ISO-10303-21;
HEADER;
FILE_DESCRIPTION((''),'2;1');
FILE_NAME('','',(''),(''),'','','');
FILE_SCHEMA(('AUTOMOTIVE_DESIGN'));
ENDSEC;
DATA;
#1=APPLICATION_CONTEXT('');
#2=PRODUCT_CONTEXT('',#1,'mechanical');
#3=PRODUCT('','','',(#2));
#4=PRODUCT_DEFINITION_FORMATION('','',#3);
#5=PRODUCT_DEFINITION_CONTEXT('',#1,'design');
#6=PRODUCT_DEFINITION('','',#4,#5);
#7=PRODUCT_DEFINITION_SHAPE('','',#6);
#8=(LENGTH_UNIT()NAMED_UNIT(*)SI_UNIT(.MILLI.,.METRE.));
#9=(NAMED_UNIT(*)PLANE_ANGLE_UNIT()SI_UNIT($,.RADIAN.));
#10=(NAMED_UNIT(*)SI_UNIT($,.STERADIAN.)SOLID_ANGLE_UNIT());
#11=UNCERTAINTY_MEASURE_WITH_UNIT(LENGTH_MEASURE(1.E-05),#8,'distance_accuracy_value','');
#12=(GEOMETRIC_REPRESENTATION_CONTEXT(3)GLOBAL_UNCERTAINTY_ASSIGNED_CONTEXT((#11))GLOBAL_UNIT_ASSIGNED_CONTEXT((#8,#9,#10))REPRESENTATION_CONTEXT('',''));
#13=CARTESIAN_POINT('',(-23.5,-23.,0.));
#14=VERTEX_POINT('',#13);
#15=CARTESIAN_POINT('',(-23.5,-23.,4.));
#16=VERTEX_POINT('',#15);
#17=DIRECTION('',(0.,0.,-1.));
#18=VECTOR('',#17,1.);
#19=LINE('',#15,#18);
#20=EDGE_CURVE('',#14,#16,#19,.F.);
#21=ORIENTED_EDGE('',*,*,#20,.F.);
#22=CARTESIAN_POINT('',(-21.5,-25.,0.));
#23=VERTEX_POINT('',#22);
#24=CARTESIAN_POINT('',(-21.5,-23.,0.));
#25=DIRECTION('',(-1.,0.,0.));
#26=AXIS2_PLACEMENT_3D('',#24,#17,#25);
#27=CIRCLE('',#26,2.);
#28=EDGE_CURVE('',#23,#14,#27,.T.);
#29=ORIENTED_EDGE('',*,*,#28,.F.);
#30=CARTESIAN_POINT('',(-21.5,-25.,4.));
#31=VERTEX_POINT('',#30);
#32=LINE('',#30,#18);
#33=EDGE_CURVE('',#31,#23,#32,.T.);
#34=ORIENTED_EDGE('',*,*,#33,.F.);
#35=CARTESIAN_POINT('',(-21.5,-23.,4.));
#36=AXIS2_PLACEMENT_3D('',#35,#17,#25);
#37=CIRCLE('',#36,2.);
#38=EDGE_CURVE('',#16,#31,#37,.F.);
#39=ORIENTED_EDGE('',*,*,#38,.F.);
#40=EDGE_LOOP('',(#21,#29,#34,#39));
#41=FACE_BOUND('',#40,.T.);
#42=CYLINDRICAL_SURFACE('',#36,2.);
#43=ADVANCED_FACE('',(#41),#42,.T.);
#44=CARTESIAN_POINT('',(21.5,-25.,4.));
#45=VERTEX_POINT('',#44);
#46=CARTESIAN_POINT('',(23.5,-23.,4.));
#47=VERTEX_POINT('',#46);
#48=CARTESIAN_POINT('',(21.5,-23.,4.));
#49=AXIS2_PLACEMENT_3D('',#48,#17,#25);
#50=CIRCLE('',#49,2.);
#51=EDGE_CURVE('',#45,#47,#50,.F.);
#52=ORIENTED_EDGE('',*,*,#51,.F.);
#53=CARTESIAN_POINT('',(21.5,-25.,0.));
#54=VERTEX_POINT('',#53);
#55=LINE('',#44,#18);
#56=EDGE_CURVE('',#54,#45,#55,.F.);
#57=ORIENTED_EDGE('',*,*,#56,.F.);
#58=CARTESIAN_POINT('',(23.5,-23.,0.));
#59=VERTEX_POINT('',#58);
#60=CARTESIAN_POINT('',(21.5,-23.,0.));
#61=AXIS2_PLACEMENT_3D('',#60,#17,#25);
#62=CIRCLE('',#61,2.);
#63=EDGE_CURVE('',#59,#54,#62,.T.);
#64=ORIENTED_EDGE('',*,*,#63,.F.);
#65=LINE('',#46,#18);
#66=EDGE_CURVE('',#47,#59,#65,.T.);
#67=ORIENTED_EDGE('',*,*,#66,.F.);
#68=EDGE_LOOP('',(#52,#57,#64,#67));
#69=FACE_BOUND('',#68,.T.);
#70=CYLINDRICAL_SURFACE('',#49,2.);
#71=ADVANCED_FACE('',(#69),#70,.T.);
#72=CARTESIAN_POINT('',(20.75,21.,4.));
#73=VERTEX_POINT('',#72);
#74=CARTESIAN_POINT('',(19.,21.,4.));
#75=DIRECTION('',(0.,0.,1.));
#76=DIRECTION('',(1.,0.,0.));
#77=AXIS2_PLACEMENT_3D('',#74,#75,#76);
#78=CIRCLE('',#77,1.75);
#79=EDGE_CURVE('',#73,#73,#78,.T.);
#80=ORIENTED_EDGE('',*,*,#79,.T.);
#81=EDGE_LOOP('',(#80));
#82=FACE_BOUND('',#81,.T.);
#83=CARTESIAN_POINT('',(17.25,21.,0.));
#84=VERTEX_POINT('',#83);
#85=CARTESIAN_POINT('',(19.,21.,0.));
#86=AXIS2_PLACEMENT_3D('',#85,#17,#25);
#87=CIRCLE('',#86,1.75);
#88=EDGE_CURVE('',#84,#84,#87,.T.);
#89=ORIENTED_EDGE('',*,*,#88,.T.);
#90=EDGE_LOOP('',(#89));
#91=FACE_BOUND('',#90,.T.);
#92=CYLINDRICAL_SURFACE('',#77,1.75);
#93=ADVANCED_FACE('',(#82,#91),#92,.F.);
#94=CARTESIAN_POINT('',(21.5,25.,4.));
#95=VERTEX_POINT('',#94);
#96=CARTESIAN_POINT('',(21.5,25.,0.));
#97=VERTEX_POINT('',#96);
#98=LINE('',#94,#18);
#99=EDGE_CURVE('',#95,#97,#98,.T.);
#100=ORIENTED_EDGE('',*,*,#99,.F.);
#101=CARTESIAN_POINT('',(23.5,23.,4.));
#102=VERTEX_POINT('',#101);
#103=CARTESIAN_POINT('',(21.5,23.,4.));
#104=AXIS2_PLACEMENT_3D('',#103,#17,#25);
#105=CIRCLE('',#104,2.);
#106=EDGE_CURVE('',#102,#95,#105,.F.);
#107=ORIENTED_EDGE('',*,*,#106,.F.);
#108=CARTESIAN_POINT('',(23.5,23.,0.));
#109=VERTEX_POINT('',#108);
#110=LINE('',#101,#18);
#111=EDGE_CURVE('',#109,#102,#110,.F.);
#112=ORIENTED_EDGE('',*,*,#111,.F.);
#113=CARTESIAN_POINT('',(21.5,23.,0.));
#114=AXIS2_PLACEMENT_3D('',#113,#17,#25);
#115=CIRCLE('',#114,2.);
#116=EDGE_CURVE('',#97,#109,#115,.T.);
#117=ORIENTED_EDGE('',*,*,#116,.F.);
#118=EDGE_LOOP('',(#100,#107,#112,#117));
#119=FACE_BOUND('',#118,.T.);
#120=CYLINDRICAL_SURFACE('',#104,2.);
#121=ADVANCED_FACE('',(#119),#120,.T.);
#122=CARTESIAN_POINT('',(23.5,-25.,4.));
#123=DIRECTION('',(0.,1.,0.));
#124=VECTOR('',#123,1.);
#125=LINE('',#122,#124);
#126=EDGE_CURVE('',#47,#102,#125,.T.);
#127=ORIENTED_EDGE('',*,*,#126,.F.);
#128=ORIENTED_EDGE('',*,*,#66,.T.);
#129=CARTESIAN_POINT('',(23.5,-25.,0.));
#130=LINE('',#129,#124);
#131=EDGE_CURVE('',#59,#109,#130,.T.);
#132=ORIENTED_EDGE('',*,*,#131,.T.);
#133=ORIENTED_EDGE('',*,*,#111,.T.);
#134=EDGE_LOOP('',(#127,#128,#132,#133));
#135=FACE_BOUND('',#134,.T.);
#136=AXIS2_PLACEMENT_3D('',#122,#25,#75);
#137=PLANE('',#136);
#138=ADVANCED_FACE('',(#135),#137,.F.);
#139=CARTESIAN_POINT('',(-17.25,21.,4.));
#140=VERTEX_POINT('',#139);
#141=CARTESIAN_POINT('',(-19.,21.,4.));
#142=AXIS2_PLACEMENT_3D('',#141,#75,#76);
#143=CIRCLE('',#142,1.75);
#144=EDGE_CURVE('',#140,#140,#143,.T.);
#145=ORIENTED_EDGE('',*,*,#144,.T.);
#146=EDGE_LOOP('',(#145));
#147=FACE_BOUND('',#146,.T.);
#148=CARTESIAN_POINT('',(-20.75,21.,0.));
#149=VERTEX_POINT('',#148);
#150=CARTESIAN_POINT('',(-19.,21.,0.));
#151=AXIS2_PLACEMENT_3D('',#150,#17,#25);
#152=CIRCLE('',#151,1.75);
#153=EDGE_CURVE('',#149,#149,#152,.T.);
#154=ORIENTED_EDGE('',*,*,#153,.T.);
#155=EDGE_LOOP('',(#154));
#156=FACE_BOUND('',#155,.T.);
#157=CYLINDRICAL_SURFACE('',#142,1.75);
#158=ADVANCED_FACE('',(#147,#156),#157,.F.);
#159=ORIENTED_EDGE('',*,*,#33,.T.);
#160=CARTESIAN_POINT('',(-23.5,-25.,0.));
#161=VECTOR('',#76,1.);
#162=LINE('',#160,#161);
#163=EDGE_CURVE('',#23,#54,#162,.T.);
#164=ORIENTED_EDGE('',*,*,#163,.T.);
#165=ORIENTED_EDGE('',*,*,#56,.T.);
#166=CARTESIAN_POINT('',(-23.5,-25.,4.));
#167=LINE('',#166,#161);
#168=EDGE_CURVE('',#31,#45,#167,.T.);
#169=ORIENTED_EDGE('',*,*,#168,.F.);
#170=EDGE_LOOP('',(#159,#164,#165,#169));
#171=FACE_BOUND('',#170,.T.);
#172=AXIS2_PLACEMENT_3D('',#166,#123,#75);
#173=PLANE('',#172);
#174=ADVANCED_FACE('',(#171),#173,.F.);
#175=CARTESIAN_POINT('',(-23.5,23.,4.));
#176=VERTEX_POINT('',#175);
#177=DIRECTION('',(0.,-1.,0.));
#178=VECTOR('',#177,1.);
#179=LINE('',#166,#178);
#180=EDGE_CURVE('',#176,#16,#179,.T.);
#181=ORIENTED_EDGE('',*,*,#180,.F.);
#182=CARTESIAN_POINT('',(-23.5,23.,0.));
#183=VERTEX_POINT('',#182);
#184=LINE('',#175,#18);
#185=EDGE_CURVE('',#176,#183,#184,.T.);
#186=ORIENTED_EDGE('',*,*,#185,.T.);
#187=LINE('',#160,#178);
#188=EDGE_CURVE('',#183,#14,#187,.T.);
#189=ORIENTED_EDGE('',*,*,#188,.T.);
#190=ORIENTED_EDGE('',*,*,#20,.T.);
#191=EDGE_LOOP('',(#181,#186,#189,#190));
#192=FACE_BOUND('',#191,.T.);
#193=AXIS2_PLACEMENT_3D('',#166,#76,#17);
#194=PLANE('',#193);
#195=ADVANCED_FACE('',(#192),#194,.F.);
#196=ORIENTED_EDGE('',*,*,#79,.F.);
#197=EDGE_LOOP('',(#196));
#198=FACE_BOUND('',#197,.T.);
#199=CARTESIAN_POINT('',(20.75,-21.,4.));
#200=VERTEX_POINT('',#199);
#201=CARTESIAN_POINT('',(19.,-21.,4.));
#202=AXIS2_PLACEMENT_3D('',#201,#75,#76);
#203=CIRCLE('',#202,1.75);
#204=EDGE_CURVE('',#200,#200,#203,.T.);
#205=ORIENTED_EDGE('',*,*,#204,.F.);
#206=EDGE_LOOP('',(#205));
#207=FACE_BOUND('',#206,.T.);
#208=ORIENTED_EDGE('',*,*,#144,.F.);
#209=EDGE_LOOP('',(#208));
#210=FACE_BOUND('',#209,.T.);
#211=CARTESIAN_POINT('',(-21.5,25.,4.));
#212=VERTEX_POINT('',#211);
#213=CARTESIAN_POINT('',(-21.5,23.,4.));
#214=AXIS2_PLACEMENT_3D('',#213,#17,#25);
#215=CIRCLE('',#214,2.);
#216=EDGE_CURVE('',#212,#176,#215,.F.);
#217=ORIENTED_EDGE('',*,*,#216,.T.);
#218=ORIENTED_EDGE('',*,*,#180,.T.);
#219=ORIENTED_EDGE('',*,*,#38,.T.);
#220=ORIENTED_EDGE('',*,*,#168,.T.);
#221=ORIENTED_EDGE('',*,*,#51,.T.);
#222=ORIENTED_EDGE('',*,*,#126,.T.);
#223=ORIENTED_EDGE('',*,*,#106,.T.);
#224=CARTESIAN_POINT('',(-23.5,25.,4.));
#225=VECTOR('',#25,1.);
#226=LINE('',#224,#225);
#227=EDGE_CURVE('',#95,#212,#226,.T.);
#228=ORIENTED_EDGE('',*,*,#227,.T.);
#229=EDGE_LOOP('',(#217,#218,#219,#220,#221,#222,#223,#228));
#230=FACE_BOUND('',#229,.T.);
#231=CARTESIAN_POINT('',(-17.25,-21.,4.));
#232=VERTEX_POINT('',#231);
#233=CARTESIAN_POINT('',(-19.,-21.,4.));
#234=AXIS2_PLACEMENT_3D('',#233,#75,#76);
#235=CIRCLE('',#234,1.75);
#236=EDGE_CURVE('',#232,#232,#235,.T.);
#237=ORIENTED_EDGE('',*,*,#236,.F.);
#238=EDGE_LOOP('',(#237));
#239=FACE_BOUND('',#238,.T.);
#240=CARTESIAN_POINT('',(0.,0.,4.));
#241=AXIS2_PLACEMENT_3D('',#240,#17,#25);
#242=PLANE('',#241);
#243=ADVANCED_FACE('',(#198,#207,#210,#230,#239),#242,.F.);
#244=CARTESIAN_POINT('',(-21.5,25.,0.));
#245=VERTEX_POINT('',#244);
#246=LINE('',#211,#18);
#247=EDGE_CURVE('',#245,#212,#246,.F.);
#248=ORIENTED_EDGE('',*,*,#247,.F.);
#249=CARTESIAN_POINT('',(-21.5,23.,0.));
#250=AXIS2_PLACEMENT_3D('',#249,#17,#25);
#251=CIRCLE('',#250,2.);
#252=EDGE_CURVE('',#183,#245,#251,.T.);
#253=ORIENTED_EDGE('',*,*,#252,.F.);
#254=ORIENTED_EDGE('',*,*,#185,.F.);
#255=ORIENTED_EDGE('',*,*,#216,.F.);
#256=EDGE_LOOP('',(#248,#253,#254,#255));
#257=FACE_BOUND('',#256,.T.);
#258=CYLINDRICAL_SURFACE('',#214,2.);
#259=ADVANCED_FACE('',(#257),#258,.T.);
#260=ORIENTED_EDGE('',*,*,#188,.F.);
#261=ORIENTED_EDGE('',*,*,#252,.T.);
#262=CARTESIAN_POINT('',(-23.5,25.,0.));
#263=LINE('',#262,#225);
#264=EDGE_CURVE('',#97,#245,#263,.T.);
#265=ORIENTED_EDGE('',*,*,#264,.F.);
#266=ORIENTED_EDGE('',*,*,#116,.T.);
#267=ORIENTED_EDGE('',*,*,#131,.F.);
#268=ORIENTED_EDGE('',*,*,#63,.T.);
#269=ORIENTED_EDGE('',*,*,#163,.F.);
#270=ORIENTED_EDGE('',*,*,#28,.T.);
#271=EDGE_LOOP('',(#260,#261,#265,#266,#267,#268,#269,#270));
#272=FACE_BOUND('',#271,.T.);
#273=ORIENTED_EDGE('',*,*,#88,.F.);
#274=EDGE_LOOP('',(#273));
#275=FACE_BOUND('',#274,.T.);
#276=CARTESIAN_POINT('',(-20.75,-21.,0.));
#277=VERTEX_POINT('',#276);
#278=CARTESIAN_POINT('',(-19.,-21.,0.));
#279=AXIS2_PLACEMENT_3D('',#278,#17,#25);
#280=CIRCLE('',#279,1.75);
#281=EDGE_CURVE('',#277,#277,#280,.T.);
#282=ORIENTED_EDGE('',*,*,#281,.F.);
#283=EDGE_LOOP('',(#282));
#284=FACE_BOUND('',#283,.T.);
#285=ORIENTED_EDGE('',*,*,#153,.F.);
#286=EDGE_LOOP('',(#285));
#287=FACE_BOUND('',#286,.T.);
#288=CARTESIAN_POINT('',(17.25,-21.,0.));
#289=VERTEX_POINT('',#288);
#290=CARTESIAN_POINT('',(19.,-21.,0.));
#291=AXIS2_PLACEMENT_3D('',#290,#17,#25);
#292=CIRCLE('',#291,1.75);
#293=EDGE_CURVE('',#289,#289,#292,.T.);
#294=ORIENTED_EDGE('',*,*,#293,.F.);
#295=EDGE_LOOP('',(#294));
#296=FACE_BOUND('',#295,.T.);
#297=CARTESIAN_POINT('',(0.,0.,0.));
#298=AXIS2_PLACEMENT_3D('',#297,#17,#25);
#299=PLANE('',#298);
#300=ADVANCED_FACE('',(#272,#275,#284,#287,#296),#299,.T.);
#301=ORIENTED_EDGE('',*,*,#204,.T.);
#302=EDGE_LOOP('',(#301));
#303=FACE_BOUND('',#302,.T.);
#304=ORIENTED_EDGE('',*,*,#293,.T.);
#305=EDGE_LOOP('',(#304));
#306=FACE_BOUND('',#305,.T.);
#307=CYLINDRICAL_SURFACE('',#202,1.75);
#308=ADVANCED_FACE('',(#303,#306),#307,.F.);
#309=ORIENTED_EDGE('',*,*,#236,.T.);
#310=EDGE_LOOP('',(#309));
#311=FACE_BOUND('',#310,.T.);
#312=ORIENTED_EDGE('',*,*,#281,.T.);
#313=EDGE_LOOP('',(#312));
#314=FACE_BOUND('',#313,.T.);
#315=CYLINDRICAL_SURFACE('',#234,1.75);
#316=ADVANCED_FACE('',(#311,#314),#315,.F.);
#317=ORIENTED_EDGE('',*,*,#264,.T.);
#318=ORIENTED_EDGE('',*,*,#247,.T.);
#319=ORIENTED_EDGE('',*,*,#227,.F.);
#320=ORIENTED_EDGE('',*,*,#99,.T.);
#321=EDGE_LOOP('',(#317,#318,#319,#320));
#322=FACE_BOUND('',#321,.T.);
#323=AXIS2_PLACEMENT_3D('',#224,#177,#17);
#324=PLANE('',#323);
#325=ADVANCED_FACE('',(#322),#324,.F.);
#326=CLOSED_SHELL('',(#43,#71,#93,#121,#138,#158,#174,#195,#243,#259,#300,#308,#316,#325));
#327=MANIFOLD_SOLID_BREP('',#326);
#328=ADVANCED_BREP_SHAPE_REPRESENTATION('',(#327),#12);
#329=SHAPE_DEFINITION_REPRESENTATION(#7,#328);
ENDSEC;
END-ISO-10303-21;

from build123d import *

# Parameters (mm, degrees)
SKETCH_1_W                  = 47
SKETCH_1_H                  = 50
EXTRUDE_1_DEPTH             = 4
HOLE_WIZARD_3_5_3_5_1_D     = 3.5
HOLE_WIZARD_3_5_3_5_1_DEPTH = 4
FILLET_1_R                  = 2


with BuildPart() as part:
    # 草图1 → 凸台-拉伸1 (new body)
    with BuildSketch(Plane.XY):
        Rectangle(SKETCH_1_W, SKETCH_1_H)
    extrude(amount=EXTRUDE_1_DEPTH)

    # Ø3.5 (3.5) 直径孔1
    with Locations(Plane.XY.offset(4)):
        with Locations((-19, 21), (19, 21), (-19, -21), (19, -21)):
            Hole(HOLE_WIZARD_3_5_3_5_1_D / 2, depth=HOLE_WIZARD_3_5_3_5_1_DEPTH)

    # 圆角1
    fillet_1_edges = [part.edges().sort_by_distance(p)[0] for p in [
        (23.5, -25, 2),
        (-23.5, -25, 2),
        (-23.5, 25, 2),
        (23.5, 25, 2),
    ]]
    fillet(fillet_1_edges, radius=FILLET_1_R)


solid = part.part
